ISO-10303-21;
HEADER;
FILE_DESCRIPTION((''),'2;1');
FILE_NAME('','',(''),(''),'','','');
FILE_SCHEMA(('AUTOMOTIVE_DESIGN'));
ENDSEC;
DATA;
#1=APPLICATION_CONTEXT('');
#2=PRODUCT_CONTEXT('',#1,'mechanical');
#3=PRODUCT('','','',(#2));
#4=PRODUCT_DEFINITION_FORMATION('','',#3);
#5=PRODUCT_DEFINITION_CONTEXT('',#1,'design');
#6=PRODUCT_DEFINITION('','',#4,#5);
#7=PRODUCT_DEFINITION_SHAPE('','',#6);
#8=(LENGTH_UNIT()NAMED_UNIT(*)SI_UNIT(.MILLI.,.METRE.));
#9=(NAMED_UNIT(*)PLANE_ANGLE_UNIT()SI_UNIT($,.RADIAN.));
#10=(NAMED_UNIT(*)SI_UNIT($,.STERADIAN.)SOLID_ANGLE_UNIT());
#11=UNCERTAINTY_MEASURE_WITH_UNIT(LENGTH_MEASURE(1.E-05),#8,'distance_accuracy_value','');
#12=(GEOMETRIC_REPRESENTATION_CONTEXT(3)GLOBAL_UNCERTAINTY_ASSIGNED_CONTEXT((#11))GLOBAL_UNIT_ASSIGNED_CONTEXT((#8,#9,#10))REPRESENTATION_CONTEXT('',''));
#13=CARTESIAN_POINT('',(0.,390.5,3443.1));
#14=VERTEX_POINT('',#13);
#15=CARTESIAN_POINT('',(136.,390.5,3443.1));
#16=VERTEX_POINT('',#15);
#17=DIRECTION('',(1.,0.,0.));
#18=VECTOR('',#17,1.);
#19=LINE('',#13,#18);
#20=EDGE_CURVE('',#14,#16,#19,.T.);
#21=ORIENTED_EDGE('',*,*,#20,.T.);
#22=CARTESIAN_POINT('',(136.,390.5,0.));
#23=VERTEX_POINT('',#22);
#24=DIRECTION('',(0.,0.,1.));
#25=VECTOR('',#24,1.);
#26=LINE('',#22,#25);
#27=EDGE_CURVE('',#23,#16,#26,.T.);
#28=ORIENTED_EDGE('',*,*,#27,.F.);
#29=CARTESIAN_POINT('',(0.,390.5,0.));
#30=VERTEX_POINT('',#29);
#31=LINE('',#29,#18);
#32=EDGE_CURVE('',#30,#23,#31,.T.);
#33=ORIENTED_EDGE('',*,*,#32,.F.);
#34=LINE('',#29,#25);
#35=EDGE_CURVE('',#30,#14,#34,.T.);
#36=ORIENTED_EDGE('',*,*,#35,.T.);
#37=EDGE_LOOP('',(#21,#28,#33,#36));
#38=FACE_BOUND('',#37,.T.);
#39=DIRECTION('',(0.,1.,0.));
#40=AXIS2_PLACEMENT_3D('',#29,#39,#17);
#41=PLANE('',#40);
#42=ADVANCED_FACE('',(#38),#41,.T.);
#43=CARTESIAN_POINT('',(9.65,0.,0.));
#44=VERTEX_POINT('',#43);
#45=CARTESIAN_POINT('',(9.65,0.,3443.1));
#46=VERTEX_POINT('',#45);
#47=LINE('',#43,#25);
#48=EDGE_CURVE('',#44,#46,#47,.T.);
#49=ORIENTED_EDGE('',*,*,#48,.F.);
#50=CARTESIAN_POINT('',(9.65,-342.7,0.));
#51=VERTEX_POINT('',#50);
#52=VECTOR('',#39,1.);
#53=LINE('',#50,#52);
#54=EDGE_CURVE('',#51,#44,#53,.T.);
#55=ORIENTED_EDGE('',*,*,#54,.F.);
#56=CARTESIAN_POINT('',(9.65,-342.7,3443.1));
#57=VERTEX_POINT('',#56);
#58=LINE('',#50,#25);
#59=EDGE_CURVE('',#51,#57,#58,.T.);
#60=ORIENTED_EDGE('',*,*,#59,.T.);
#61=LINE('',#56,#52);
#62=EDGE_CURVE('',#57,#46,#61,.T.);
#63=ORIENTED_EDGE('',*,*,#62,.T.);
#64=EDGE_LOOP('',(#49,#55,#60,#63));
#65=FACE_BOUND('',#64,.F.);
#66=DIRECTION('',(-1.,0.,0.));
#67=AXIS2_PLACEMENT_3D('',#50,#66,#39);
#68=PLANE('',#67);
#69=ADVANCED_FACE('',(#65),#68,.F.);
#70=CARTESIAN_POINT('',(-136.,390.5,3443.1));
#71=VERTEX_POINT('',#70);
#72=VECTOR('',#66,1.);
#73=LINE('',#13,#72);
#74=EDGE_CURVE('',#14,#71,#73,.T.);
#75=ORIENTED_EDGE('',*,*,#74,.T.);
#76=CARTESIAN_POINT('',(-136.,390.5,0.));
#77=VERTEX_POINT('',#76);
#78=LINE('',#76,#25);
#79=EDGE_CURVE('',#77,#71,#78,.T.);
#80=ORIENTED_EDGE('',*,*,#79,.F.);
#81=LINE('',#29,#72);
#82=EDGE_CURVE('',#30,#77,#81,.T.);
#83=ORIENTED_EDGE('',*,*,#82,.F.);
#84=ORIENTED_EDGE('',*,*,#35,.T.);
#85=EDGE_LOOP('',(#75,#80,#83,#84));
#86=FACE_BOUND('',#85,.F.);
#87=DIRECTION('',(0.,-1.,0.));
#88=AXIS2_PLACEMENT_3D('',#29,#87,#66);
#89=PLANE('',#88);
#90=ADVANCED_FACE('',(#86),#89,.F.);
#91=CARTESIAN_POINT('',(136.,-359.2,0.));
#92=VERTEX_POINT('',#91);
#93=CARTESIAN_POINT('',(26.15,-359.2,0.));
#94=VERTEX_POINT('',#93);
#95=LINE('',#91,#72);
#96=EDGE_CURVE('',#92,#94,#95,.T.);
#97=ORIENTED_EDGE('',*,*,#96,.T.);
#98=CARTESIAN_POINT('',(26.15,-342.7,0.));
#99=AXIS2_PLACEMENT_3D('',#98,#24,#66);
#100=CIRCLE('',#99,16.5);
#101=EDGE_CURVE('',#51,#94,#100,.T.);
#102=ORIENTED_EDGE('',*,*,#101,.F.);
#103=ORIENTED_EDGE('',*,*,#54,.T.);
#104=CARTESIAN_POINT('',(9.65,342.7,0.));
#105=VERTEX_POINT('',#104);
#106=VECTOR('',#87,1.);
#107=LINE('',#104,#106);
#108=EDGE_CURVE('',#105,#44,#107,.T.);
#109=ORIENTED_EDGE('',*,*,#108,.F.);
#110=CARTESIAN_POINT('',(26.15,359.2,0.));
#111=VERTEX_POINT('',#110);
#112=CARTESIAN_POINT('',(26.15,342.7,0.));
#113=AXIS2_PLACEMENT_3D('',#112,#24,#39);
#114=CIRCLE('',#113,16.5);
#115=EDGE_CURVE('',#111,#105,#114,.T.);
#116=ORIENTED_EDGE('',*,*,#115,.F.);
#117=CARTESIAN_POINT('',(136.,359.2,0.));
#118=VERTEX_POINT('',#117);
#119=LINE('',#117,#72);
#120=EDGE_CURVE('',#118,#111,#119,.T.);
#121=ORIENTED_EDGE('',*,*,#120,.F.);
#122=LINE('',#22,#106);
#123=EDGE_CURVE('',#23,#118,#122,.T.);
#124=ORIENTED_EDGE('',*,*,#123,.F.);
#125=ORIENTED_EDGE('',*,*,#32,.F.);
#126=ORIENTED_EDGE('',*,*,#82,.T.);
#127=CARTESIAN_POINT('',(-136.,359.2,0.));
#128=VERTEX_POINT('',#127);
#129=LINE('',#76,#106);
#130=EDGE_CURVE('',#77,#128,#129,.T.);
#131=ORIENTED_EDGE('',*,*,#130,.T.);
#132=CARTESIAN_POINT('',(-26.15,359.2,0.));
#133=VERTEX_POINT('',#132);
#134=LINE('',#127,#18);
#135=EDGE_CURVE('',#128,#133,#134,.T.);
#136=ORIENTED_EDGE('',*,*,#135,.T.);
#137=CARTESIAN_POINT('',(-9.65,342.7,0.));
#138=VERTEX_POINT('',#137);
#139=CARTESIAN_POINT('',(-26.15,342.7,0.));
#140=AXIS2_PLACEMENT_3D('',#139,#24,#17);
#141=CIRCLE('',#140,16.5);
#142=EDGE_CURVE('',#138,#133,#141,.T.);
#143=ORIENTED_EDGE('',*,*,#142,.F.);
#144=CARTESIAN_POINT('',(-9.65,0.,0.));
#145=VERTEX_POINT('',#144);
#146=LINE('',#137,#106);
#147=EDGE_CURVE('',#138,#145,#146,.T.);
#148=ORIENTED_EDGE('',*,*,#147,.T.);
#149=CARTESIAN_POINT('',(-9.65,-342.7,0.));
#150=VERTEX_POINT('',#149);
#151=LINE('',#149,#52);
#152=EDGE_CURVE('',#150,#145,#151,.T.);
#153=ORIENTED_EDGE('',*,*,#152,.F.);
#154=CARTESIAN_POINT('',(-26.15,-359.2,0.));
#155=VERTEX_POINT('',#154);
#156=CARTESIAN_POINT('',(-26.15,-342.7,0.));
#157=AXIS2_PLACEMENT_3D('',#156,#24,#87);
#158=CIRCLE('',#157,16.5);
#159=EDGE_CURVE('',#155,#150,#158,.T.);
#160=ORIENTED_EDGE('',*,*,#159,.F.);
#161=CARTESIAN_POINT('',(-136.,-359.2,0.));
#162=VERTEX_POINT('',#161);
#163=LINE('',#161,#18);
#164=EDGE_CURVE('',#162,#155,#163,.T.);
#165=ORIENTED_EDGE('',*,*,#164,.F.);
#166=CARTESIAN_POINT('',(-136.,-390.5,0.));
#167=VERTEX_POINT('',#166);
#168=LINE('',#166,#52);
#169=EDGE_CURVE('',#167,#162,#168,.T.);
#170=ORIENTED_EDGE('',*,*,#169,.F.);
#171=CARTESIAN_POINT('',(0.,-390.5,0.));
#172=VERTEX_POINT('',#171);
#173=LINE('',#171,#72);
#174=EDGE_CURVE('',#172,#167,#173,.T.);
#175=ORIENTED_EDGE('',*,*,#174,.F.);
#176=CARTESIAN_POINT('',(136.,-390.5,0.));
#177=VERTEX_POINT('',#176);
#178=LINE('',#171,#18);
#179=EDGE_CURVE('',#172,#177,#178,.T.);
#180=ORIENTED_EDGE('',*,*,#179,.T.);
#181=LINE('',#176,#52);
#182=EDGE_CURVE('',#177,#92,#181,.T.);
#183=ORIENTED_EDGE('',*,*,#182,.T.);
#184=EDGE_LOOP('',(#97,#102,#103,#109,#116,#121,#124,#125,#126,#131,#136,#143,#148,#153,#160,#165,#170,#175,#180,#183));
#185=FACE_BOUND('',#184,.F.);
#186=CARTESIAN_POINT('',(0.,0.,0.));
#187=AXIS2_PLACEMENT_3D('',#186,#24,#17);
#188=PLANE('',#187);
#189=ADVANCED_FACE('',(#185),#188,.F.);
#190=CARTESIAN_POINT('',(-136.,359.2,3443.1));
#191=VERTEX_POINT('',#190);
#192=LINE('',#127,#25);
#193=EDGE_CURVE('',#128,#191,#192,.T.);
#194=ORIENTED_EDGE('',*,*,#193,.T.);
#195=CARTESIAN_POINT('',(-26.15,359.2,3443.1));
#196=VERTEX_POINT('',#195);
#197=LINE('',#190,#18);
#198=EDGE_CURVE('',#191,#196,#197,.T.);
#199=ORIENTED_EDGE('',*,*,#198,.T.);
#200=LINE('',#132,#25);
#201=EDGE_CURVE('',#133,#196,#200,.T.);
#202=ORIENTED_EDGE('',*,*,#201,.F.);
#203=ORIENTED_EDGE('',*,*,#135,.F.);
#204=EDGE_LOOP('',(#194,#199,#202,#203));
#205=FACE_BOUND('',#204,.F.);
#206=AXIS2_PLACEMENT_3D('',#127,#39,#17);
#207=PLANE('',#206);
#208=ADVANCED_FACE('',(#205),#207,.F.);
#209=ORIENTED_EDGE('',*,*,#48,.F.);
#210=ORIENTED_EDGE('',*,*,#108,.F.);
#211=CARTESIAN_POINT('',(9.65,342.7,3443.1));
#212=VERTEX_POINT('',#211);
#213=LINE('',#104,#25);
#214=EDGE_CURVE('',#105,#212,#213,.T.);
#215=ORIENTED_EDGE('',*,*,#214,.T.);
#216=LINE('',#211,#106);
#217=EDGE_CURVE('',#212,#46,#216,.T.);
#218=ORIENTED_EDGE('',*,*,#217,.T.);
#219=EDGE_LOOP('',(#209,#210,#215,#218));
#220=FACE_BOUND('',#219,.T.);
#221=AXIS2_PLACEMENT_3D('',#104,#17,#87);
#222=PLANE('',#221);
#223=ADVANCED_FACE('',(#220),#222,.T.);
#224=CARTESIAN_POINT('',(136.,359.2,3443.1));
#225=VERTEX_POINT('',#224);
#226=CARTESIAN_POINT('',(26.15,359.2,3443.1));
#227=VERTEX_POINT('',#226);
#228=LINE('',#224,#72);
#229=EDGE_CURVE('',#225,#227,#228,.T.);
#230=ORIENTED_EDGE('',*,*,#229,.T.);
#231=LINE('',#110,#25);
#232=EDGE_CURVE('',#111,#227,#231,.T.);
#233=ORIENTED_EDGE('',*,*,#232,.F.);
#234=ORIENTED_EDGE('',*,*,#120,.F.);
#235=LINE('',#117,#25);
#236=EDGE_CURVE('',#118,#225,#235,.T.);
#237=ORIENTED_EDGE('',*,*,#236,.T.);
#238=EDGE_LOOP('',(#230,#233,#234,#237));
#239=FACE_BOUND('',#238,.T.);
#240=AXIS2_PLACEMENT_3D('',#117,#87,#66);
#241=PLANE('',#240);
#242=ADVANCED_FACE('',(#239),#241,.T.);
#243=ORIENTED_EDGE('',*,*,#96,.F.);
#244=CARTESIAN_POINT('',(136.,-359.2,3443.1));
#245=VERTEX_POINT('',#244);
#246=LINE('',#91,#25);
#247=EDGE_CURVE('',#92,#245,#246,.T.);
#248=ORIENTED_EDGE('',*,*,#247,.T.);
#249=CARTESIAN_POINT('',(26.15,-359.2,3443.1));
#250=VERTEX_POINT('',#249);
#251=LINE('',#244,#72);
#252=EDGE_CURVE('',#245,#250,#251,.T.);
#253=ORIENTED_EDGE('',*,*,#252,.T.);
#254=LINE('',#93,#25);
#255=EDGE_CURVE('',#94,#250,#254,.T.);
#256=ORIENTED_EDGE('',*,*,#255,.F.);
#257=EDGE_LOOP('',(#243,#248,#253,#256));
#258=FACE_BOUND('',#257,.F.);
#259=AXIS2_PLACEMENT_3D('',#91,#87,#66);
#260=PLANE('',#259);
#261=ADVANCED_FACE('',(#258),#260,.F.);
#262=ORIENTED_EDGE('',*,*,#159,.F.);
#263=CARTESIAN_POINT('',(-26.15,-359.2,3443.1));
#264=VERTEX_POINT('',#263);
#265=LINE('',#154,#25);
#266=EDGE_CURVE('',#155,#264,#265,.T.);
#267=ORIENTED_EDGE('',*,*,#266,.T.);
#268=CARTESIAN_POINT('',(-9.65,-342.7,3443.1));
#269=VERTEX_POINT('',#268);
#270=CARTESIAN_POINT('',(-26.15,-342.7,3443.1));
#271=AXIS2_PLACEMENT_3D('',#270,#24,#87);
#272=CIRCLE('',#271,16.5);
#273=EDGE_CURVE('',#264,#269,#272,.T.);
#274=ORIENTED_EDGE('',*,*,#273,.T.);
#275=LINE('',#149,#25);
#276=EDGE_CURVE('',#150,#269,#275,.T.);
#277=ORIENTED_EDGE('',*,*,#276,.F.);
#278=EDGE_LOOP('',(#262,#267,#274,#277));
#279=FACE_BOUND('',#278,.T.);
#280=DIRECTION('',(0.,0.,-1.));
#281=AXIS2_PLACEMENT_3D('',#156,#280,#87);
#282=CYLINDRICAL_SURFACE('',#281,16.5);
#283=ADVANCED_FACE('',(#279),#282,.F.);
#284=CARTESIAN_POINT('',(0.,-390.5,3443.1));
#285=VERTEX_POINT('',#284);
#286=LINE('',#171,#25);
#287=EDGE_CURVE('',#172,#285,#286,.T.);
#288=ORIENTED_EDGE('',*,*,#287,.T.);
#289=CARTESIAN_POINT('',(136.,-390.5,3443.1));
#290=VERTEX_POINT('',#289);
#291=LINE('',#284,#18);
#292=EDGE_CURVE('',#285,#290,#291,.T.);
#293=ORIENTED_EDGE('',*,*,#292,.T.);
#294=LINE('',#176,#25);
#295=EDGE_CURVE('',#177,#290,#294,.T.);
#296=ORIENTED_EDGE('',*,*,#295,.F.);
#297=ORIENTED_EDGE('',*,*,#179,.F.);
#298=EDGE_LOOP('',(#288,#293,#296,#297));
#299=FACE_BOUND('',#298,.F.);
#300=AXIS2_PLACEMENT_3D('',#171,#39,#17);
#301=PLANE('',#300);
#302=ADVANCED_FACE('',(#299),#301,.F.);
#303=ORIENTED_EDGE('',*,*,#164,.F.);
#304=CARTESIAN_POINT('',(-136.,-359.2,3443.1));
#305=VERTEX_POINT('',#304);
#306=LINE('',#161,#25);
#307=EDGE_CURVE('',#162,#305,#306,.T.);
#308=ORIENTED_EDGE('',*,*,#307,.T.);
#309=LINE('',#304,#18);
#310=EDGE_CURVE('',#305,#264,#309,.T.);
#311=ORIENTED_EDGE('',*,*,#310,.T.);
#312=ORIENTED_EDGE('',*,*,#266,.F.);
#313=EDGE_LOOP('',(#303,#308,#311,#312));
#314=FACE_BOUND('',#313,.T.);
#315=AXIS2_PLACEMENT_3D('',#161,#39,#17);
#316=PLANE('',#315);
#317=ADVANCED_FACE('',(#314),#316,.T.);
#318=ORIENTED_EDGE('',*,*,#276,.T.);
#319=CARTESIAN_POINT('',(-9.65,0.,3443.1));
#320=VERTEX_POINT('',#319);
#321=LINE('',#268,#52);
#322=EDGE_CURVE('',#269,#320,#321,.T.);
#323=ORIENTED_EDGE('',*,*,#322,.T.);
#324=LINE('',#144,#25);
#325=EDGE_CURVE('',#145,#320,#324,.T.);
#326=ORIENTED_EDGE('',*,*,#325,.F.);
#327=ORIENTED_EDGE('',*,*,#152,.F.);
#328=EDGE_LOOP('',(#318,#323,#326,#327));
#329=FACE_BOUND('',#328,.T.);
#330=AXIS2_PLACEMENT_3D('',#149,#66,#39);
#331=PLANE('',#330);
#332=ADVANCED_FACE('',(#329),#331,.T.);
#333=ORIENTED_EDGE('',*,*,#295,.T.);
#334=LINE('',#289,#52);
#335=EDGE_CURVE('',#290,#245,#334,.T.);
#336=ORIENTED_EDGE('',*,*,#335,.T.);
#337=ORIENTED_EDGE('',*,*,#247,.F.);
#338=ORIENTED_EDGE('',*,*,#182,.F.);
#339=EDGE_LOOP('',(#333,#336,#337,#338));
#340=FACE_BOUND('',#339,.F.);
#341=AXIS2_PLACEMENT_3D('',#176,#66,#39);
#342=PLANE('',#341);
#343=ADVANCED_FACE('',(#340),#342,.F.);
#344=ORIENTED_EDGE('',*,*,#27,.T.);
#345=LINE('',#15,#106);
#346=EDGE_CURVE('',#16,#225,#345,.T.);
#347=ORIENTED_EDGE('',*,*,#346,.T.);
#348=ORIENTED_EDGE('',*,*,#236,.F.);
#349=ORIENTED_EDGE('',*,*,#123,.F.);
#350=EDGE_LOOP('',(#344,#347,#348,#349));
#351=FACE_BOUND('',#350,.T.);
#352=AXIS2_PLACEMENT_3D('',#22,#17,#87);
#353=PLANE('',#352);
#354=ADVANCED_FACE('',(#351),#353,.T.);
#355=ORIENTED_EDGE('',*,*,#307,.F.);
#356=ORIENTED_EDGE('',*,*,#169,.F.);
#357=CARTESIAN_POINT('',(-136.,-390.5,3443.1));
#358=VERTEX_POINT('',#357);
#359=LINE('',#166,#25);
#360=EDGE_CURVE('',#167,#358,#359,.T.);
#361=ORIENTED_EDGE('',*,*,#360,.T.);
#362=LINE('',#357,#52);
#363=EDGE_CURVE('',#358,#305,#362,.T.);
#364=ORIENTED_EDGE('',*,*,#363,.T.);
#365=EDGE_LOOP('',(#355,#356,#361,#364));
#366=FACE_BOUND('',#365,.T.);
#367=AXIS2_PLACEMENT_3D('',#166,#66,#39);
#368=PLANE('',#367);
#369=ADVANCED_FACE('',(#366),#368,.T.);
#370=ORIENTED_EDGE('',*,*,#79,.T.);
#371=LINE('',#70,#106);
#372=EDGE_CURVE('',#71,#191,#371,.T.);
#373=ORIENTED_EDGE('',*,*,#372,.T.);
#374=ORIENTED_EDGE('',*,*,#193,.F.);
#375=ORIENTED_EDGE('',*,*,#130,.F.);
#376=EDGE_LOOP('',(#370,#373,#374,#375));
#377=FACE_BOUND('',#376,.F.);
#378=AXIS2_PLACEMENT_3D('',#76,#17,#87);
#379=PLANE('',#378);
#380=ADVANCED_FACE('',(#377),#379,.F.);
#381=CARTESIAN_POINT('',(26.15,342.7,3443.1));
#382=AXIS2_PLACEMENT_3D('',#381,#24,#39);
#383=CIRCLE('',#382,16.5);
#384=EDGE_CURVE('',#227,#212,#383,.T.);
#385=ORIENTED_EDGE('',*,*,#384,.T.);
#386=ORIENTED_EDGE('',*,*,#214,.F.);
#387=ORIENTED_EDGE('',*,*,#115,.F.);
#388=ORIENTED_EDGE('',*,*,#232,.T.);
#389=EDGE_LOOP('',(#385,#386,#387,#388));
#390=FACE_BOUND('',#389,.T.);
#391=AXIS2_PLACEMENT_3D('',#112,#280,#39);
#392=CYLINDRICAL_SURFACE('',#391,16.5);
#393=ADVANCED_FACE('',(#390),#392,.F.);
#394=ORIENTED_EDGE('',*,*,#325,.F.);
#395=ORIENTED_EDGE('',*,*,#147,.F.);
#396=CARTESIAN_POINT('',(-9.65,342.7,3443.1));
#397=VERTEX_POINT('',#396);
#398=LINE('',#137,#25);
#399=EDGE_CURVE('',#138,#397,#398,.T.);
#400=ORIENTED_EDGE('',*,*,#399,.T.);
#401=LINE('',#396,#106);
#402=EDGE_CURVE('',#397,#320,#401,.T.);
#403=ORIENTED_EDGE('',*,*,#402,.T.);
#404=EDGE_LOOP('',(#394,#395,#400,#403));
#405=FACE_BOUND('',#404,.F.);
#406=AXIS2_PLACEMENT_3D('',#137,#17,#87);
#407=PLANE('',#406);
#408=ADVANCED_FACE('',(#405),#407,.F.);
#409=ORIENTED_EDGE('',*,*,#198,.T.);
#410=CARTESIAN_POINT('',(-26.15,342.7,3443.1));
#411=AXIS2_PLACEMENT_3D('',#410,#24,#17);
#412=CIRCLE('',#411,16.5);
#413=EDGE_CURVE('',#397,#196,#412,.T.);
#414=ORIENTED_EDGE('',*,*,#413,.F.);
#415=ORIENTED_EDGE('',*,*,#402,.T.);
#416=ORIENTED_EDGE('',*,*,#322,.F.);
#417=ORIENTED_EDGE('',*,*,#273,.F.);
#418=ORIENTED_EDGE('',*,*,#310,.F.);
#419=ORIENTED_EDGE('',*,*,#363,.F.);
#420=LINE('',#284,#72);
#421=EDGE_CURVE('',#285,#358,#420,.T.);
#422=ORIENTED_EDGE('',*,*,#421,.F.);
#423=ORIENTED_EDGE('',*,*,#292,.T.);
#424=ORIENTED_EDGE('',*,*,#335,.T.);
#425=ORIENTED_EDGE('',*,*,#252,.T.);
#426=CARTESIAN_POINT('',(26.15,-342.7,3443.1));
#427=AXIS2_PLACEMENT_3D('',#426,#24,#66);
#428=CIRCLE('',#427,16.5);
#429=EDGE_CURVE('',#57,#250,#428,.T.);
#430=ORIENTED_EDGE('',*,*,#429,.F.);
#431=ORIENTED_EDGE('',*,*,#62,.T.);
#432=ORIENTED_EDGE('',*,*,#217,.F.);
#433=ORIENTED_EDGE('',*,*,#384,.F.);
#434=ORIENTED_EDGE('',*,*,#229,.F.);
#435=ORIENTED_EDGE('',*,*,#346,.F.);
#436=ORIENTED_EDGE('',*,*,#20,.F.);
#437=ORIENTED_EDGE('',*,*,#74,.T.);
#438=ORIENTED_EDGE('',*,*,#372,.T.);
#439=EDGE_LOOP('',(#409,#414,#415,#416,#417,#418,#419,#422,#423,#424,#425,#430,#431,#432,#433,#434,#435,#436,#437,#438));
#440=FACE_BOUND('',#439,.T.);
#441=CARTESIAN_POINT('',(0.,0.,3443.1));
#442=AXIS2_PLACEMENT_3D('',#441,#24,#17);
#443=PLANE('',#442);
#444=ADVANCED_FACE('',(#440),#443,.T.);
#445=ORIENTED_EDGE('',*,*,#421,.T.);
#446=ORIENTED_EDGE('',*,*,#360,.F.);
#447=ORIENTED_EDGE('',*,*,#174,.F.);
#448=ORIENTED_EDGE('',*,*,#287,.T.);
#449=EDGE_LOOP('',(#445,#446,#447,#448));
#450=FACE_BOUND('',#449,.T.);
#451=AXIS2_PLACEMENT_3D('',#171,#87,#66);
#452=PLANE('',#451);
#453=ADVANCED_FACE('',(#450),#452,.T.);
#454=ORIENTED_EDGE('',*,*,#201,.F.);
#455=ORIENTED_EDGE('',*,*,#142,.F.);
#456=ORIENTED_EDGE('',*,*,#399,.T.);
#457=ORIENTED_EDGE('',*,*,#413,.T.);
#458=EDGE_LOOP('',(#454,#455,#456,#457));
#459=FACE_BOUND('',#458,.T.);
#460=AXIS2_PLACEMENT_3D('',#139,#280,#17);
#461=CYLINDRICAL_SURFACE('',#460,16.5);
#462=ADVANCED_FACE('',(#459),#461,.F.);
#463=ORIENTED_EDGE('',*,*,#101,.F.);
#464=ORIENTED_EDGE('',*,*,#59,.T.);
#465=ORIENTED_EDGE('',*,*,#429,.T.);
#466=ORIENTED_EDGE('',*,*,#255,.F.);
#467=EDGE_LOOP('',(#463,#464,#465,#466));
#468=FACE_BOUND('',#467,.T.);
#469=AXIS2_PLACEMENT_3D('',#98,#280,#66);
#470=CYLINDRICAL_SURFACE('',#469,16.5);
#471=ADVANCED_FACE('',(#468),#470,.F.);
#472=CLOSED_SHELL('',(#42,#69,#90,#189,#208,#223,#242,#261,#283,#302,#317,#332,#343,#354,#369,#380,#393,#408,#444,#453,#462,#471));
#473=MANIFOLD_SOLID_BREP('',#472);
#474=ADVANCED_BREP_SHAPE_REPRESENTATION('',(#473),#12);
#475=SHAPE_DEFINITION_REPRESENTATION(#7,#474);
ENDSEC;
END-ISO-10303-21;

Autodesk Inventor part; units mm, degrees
ref_plane "YZ Plane" through (0, 0, 0) normal (1, 0, 0) x (0, 1, 0)
ref_plane "Start plane" through (0, 0, 0) normal (0, 0, 1) x (1, 0, 0)
ref_plane "End plane" through (0, 0, 3443.1) normal (0, 0, 1) x (1, 0, 0)
sketch "Sketch" plane through (0, 0, 0) normal (0, 0, 1) x (1, 0, 0)
  line L0 (-136, -390.5) -> (-136, -359.2)
  line L1 (-136, -359.2) -> (-26.15, -359.2)
  line L2 (-9.65, -342.7) -> (-9.65, 0)
  line L3 (-9.65, 0) -> (0, 0) construction
  line L4 (0, 0) -> (0, -390.5) construction
  line L5 (0, -390.5) -> (-136, -390.5)
  line L6 (-60, 0) -> (80, 0) construction
  line L7 (0, -60) -> (0, 80) construction
  line L8 (136, -390.5) -> (136, -359.2)
  line L9 (136, -359.2) -> (26.15, -359.2)
  line L10 (9.65, -342.7) -> (9.65, 0)
  line L11 (9.65, 0) -> (0, 0) construction
  line L12 (0, -390.5) -> (136, -390.5)
  line L13 (-136, 390.5) -> (-136, 359.2)
  line L14 (-136, 359.2) -> (-26.15, 359.2)
  line L15 (-9.65, 342.7) -> (-9.65, 0)
  line L16 (0, 390.5) -> (-136, 390.5)
  line L17 (136, 390.5) -> (136, 359.2)
  line L18 (136, 359.2) -> (26.15, 359.2)
  line L19 (0, 390.5) -> (136, 390.5)
  line L20 (9.65, 342.7) -> (9.65, 0)
  arc A0 (-9.65, 342.7) -> (-26.15, 359.2) centre (-26.15, 342.7) ccw
  arc A1 (26.15, 359.2) -> (9.65, 342.7) centre (26.15, 342.7) ccw
  arc A2 (9.65, -342.7) -> (26.15, -359.2) centre (26.15, -342.7) ccw
  arc A3 (-26.15, -359.2) -> (-9.65, -342.7) centre (-26.15, -342.7) ccw
  line L21 (0, 108) -> (0, -88) construction
  line L22 (-88, 0) -> (108, 0) construction
  point P0 (-9.65, -359.2)
  point P1 (9.65, -359.2)
  point P2 (-9.65, 359.2)
  point P3 (9.65, 359.2)
  dimension "d1" = 390.5
  dimension "d2" = 31.3
  dimension "d3" = 136
  dimension "d4" = 9.65
  dimension "d10" = 16.5
extrude "Body" add sketch "Sketch" along normal up to surface (3443.1 mm away) from surface at 0
sketch "Sketch4" plane through (0, 0, 0) normal (0, 0, 1) x (1, 0, 0)
  line L0 (0, 0) -> (10, 0)
ref_plane "Work Plane3" through (0, 0, 0) normal (0, -1, 0) x (1, 0, 0)
sketch "Sketch5" plane through (0, 0, 0) normal (0, -1, 0) x (1, 0, 0)
  line L0 (-2, 0) -> (12, 0) projected
  line L1 (-2, 3443.1) -> (12, 3443.1) projected
  dimension "d14" = 3443.1
equation "\"d1\" = 0.5 * G_H"
equation "\"d2\" = G_T1"
equation "\"d3\" = 0.5 * G_W"
equation "\"d4\" = 0.5 * G_T"
equation "\"d10\" = G_IR"
equation "\"d5\" = G_L"
equation "\"G_W\" = 272"
equation "\"G_H\" = 781"
equation "\"G_T\" = 19.3"
equation "\"G_T1\" = 31.3"
equation "\"G_IR\" = 16.5"
equation "\"G_L\" = d14"
equation "\"G_OFFSET_START\" = 0"
equation "\"G_OFFSET_END\" = 0"
equation "\"d12\" = G_OFFSET_END + B_L"
equation "\"B_L\" = 3443.1"
properties part number "AS 3679-1990 - 760 UB - 244 - 3443.1" material "Steel, Mild"
